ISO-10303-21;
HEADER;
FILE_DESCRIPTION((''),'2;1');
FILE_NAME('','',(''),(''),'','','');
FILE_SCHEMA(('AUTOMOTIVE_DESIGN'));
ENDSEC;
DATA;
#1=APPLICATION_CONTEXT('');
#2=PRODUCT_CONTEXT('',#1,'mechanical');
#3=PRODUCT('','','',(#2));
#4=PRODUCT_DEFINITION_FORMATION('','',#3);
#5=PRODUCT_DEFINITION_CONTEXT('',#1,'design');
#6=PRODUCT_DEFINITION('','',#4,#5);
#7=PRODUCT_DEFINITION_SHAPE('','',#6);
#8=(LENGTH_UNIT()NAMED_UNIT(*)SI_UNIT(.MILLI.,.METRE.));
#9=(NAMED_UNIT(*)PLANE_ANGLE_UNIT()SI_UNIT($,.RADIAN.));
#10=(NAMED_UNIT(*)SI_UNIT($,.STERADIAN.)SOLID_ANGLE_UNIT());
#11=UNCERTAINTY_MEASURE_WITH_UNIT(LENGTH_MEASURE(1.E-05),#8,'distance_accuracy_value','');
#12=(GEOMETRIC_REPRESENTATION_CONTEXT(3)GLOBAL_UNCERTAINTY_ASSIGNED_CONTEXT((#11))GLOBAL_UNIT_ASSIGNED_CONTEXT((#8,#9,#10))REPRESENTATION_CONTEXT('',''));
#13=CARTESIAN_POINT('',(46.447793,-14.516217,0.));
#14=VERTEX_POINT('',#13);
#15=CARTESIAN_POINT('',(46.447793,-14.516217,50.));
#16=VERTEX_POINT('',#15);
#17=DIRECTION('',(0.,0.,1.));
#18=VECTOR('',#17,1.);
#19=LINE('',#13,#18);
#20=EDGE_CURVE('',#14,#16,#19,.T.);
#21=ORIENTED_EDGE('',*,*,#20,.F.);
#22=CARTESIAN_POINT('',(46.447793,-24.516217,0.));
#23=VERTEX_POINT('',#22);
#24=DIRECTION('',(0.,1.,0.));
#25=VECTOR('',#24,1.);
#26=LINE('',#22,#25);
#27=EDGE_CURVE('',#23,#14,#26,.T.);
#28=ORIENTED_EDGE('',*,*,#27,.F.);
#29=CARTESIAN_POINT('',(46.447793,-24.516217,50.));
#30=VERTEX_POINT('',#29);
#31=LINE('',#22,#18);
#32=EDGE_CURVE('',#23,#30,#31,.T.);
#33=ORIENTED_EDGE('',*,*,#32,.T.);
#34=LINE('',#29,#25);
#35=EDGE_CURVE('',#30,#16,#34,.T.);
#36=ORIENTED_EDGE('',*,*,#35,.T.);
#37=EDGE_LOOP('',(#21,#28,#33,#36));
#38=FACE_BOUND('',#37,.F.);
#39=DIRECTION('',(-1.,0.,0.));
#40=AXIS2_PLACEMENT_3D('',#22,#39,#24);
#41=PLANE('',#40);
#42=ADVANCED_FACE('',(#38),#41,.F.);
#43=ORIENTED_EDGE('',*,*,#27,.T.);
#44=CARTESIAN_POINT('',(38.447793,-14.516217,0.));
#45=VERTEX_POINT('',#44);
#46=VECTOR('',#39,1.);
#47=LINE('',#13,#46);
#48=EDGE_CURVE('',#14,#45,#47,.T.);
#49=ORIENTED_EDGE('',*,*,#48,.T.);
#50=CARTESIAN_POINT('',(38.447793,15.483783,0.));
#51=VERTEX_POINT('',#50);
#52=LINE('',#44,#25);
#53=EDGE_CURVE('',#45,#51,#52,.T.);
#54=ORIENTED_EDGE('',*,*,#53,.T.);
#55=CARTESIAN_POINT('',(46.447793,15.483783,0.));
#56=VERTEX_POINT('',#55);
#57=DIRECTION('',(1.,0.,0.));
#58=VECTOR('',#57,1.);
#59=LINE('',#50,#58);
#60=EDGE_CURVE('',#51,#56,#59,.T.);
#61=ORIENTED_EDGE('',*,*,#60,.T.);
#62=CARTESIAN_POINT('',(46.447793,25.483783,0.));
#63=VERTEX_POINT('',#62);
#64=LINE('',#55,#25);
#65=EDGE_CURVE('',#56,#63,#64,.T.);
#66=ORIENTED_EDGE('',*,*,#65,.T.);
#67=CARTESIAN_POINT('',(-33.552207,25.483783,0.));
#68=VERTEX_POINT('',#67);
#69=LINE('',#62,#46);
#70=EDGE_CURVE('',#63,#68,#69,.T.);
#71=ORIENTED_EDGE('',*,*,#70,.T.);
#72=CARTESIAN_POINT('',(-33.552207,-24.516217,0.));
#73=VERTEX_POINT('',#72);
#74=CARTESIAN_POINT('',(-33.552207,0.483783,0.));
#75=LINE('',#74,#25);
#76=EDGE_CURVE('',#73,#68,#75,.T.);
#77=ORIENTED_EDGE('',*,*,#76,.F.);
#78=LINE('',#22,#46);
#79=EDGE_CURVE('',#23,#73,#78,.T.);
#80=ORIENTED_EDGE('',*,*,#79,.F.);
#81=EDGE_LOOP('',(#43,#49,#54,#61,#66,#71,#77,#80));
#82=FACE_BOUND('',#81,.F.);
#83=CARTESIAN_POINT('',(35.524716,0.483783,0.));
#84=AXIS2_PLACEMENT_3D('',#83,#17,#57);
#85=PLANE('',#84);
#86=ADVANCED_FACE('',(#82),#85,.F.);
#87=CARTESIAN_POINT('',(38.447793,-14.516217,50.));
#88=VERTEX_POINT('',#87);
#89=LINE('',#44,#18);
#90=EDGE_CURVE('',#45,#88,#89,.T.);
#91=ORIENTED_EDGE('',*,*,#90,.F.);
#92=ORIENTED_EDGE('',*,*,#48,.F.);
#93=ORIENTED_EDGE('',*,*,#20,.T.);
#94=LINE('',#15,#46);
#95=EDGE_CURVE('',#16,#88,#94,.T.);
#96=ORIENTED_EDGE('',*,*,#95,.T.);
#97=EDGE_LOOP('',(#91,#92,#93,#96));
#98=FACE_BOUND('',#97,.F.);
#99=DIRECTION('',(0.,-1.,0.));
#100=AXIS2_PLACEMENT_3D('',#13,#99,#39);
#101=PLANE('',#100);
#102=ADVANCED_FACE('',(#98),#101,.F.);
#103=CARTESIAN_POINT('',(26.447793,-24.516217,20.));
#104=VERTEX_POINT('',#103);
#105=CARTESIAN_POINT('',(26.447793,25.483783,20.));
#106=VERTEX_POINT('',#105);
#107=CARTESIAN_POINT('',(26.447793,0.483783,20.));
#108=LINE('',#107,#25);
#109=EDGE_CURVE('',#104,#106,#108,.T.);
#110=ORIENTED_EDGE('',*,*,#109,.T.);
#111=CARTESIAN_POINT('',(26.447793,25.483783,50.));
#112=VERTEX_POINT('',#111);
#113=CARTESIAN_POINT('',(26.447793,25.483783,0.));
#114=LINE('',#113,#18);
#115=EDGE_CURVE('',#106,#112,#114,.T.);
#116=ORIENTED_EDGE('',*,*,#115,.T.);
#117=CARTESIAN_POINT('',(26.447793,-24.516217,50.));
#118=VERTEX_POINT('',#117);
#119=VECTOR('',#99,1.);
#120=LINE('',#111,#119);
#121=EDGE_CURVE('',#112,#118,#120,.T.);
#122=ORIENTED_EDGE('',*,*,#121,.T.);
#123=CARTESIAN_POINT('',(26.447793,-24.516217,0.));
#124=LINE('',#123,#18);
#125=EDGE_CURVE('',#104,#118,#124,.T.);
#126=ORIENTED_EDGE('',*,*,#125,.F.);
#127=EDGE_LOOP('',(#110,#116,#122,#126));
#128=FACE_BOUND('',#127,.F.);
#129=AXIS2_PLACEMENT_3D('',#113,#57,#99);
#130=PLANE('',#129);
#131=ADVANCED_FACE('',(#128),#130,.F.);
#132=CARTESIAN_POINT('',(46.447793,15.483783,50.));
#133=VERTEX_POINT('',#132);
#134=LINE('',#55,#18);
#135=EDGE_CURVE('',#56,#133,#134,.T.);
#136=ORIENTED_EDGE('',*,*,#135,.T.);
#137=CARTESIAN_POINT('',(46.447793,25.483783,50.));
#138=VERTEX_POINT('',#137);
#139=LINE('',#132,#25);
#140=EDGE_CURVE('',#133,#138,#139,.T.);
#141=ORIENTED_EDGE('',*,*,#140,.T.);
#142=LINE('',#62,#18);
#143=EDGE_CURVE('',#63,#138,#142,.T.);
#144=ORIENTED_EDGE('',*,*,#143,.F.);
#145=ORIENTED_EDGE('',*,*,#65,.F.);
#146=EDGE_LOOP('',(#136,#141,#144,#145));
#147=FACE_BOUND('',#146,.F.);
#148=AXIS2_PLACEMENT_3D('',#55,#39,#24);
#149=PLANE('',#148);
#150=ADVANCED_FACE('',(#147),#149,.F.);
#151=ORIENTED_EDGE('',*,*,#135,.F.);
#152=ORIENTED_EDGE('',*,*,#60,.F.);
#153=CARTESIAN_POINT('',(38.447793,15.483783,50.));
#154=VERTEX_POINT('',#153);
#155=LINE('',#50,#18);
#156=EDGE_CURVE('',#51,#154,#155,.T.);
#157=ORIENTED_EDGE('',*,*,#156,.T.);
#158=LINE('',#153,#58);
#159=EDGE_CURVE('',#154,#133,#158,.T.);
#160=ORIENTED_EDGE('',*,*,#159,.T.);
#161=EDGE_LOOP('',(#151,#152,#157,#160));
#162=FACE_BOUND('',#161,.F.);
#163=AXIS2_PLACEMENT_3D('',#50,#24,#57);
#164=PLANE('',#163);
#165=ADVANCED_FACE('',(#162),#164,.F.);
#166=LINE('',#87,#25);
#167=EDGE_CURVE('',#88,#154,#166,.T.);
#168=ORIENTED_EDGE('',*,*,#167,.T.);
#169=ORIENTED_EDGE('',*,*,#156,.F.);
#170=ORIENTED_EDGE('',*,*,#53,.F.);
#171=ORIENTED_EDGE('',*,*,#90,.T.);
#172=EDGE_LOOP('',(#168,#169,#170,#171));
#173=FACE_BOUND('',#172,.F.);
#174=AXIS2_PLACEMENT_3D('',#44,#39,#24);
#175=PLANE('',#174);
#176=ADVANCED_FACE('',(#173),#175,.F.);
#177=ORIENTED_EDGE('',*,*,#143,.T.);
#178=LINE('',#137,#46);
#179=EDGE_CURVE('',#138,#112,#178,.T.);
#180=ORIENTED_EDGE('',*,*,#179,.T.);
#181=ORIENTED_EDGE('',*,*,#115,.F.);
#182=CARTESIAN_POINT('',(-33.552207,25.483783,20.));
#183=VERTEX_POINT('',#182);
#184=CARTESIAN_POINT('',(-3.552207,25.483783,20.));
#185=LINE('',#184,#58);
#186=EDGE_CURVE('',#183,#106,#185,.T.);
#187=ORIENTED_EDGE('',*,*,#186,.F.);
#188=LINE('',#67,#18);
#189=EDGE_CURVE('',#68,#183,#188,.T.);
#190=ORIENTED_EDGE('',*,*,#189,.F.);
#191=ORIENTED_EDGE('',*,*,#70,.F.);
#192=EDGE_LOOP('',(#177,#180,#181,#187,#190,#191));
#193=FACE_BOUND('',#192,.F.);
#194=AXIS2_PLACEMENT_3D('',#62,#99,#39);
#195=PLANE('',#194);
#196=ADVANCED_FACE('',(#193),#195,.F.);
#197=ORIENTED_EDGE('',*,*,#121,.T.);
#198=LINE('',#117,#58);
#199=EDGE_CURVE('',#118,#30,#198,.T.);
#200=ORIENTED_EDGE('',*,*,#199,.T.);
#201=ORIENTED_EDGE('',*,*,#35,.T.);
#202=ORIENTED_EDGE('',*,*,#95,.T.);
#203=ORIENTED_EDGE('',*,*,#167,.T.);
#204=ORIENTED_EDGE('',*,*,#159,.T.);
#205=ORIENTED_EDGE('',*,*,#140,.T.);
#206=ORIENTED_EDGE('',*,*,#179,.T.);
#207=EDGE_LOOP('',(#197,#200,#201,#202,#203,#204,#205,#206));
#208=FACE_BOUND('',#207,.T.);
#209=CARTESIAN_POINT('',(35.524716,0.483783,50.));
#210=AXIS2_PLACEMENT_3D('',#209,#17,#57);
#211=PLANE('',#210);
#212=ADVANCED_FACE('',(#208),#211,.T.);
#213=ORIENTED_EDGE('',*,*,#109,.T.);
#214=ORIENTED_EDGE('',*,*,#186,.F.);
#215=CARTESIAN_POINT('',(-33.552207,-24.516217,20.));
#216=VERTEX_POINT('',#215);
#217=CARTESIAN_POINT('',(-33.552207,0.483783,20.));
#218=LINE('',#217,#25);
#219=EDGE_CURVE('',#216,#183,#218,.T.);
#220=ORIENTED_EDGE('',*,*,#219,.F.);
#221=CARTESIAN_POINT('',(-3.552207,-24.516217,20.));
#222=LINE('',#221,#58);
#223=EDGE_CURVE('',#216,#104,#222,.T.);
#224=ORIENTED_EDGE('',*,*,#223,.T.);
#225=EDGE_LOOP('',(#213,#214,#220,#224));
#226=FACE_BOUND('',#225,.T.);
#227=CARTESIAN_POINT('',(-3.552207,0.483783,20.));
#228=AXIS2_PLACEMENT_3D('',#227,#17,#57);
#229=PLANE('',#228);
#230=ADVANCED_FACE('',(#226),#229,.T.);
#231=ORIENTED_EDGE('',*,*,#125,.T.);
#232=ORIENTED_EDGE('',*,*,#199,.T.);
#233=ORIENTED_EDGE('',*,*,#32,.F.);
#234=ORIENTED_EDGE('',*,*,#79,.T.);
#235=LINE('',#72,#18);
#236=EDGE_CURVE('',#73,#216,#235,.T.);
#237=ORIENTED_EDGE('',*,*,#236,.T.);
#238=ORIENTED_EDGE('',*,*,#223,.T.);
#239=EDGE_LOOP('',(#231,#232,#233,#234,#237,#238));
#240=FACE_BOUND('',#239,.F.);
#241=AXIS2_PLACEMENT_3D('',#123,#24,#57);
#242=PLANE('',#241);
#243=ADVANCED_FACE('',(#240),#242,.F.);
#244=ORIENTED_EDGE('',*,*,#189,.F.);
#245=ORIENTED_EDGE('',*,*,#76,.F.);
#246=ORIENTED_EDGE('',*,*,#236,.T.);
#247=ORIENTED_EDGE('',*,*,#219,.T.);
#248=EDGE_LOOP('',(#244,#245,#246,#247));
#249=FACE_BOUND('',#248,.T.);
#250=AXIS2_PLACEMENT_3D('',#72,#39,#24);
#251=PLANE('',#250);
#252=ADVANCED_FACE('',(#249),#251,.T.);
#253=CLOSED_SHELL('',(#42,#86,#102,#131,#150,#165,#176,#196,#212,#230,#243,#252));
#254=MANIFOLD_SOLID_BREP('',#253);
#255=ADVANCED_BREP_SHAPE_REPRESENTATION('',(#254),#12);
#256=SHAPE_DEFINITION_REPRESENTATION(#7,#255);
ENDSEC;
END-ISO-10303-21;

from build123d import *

# Parameters (mm, degrees)
F0_W     = 60
F0_H     = 50
F1_DEPTH = 20
F2_DEPTH = 50


with BuildPart() as f1:
    # F0 (on Top) → F1 (new body)
    with BuildSketch(Plane.XY):
        with Locations((-3.552207, 0.483783)):
            Rectangle(F0_W, F0_H)
    extrude(amount=F1_DEPTH)

    # F0 (on Top) → F2 (join)
    with BuildSketch(Plane.XY):
        Polygon((46.447793, 25.483783), (26.447793, 25.483783), (26.447793, -24.516217), (46.447793, -24.516217), (46.447793, -14.516217), (38.447793, -14.516217), (38.447793, 15.483783), (46.447793, 15.483783), align=None)
    extrude(amount=F2_DEPTH)


solid = f1.part
